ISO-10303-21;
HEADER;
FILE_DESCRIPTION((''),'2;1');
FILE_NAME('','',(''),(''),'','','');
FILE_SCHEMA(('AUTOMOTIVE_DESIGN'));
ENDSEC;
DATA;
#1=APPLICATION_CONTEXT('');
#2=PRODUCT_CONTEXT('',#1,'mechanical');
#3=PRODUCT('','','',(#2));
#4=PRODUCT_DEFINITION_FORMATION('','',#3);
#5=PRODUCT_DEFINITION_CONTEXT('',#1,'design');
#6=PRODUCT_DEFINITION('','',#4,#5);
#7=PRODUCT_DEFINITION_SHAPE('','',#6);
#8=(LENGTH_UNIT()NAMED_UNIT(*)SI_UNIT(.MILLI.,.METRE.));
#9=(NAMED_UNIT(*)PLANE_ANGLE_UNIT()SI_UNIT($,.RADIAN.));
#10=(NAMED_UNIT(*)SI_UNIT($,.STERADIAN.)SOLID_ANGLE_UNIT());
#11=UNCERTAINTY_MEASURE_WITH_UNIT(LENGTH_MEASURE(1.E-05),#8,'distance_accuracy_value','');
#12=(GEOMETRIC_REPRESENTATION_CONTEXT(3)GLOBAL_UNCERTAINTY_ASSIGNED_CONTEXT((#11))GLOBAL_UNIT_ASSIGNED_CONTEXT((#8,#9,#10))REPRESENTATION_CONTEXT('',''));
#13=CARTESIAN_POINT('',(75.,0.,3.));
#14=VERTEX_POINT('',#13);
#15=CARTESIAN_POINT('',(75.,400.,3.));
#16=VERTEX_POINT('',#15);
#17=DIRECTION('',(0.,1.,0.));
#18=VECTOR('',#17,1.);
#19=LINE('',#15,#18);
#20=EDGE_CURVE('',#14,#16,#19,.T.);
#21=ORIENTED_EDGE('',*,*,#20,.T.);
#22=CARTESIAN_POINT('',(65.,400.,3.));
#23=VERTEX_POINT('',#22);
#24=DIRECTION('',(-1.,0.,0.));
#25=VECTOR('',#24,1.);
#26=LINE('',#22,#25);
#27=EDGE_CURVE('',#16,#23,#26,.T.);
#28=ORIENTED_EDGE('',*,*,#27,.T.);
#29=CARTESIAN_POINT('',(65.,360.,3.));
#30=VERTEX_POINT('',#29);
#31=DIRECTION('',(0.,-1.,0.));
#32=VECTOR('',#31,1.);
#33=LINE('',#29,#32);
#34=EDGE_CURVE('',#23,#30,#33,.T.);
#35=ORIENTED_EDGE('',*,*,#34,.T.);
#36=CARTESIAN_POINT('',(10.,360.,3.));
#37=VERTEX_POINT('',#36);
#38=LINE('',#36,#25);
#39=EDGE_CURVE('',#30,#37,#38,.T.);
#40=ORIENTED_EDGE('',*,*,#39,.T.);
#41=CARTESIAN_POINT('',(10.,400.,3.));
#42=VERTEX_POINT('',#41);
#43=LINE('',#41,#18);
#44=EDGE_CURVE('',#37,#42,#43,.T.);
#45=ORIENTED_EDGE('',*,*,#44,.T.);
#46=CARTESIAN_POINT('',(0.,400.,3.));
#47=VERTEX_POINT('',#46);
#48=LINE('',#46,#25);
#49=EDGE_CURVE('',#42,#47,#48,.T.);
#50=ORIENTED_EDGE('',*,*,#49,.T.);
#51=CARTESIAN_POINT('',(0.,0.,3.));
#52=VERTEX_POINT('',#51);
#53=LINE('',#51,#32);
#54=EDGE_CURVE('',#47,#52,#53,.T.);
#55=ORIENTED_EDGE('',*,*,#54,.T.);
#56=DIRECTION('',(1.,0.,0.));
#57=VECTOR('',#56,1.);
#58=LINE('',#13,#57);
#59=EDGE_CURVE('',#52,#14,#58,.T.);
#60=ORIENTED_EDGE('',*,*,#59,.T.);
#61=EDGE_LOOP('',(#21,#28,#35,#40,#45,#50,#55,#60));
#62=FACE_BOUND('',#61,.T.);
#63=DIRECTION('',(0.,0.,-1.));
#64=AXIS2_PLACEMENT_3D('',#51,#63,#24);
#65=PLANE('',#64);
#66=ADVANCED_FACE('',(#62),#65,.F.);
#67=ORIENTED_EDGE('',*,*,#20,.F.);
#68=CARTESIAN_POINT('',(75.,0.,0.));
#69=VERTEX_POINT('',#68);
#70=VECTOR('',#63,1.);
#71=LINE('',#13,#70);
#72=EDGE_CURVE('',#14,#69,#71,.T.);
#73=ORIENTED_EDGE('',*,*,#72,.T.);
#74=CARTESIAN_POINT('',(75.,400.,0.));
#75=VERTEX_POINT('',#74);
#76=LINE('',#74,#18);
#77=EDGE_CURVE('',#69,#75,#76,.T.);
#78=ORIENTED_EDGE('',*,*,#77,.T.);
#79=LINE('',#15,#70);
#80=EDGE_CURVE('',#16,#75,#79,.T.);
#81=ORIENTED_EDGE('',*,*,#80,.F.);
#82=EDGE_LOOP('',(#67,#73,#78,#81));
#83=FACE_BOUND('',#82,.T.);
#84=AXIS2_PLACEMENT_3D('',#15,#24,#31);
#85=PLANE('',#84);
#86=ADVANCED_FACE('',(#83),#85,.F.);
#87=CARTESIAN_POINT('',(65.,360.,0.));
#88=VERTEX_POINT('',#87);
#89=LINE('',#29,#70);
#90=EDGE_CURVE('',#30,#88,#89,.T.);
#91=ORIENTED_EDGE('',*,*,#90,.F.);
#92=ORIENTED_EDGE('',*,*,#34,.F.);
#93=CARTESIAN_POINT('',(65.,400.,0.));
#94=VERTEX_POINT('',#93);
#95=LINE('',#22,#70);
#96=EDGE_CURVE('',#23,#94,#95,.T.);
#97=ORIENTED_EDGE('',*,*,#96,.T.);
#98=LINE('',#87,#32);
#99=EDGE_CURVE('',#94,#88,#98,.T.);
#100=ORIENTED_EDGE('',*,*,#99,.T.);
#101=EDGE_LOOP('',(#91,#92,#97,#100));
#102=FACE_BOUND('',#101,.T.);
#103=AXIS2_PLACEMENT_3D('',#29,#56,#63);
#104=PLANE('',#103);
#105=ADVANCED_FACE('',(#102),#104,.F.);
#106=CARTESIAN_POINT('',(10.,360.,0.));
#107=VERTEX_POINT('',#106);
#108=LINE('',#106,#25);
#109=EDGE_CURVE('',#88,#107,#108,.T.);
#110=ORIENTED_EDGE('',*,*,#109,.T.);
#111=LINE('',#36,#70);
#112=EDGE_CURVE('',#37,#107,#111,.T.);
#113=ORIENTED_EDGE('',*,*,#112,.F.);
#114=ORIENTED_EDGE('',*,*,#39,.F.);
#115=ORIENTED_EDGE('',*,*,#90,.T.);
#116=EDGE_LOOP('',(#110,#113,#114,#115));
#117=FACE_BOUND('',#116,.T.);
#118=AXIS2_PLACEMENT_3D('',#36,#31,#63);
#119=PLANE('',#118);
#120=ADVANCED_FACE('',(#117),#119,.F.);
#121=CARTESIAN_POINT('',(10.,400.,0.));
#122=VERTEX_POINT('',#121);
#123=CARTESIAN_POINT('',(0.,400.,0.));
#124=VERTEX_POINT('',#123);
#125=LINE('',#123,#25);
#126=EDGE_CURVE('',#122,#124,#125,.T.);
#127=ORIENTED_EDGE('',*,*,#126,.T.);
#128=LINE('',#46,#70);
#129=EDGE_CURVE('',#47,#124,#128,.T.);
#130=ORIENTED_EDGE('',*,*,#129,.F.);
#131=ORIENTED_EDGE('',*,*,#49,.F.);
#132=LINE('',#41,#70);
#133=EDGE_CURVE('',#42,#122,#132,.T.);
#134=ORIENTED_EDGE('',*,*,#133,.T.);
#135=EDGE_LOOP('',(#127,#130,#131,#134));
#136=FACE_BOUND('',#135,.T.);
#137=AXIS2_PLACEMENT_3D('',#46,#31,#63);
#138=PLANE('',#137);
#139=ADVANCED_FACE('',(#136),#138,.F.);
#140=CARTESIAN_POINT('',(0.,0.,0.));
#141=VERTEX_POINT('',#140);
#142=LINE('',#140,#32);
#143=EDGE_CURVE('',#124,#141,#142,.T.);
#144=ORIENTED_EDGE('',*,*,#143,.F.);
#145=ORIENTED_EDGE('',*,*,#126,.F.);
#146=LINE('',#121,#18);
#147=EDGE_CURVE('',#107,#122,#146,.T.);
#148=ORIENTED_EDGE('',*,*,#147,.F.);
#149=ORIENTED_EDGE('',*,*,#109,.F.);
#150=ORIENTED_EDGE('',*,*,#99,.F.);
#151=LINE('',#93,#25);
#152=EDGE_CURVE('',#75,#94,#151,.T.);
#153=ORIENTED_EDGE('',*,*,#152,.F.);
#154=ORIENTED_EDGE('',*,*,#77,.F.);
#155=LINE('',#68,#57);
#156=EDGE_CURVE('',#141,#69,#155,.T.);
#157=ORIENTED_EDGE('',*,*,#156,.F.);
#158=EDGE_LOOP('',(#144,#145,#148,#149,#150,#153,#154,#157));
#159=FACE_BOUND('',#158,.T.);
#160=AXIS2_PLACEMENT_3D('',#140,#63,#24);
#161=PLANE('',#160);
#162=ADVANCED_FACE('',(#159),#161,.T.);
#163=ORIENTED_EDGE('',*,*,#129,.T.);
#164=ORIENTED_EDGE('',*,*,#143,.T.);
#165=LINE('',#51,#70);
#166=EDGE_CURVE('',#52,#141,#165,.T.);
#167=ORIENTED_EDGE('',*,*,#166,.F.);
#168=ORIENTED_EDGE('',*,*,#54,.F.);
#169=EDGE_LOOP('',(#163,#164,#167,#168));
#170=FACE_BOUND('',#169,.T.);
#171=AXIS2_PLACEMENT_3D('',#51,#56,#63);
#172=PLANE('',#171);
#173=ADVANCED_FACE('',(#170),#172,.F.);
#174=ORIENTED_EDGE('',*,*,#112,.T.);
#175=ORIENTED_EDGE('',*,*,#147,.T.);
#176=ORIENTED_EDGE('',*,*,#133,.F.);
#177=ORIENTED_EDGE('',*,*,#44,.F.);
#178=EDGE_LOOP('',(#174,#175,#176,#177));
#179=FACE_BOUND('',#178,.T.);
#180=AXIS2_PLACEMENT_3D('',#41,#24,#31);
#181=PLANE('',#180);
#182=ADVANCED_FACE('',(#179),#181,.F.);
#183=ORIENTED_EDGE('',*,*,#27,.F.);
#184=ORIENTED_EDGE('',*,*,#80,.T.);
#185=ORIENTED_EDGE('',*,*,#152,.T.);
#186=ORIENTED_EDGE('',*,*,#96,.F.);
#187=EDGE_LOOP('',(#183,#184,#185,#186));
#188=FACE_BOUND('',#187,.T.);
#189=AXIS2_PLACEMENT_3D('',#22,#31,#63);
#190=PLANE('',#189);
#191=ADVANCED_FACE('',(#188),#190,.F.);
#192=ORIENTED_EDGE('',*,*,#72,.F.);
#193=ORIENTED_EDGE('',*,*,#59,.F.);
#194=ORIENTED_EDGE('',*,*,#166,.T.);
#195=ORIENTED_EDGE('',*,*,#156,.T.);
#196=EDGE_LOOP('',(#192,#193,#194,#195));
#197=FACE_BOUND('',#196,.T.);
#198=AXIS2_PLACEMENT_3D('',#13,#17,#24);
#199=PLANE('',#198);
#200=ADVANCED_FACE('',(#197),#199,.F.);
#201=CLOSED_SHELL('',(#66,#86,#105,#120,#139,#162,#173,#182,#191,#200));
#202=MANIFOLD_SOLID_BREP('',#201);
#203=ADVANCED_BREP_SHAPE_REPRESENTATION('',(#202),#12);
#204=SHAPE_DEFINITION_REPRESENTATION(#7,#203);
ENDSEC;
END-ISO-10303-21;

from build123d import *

# Parameters (mm, degrees)
P_IDAT_VYSUNUT_M1_DEPTH = 3


with BuildPart() as part:
    # Skica1 → Přidat vysunutím1 (new body)
    with BuildSketch(Plane.XY):
        Polygon((0, 0), (0, 400), (10, 400), (10, 360), (65, 360), (65, 400), (75, 400), (75, 0), align=None)
    extrude(amount=P_IDAT_VYSUNUT_M1_DEPTH)


solid = part.part
